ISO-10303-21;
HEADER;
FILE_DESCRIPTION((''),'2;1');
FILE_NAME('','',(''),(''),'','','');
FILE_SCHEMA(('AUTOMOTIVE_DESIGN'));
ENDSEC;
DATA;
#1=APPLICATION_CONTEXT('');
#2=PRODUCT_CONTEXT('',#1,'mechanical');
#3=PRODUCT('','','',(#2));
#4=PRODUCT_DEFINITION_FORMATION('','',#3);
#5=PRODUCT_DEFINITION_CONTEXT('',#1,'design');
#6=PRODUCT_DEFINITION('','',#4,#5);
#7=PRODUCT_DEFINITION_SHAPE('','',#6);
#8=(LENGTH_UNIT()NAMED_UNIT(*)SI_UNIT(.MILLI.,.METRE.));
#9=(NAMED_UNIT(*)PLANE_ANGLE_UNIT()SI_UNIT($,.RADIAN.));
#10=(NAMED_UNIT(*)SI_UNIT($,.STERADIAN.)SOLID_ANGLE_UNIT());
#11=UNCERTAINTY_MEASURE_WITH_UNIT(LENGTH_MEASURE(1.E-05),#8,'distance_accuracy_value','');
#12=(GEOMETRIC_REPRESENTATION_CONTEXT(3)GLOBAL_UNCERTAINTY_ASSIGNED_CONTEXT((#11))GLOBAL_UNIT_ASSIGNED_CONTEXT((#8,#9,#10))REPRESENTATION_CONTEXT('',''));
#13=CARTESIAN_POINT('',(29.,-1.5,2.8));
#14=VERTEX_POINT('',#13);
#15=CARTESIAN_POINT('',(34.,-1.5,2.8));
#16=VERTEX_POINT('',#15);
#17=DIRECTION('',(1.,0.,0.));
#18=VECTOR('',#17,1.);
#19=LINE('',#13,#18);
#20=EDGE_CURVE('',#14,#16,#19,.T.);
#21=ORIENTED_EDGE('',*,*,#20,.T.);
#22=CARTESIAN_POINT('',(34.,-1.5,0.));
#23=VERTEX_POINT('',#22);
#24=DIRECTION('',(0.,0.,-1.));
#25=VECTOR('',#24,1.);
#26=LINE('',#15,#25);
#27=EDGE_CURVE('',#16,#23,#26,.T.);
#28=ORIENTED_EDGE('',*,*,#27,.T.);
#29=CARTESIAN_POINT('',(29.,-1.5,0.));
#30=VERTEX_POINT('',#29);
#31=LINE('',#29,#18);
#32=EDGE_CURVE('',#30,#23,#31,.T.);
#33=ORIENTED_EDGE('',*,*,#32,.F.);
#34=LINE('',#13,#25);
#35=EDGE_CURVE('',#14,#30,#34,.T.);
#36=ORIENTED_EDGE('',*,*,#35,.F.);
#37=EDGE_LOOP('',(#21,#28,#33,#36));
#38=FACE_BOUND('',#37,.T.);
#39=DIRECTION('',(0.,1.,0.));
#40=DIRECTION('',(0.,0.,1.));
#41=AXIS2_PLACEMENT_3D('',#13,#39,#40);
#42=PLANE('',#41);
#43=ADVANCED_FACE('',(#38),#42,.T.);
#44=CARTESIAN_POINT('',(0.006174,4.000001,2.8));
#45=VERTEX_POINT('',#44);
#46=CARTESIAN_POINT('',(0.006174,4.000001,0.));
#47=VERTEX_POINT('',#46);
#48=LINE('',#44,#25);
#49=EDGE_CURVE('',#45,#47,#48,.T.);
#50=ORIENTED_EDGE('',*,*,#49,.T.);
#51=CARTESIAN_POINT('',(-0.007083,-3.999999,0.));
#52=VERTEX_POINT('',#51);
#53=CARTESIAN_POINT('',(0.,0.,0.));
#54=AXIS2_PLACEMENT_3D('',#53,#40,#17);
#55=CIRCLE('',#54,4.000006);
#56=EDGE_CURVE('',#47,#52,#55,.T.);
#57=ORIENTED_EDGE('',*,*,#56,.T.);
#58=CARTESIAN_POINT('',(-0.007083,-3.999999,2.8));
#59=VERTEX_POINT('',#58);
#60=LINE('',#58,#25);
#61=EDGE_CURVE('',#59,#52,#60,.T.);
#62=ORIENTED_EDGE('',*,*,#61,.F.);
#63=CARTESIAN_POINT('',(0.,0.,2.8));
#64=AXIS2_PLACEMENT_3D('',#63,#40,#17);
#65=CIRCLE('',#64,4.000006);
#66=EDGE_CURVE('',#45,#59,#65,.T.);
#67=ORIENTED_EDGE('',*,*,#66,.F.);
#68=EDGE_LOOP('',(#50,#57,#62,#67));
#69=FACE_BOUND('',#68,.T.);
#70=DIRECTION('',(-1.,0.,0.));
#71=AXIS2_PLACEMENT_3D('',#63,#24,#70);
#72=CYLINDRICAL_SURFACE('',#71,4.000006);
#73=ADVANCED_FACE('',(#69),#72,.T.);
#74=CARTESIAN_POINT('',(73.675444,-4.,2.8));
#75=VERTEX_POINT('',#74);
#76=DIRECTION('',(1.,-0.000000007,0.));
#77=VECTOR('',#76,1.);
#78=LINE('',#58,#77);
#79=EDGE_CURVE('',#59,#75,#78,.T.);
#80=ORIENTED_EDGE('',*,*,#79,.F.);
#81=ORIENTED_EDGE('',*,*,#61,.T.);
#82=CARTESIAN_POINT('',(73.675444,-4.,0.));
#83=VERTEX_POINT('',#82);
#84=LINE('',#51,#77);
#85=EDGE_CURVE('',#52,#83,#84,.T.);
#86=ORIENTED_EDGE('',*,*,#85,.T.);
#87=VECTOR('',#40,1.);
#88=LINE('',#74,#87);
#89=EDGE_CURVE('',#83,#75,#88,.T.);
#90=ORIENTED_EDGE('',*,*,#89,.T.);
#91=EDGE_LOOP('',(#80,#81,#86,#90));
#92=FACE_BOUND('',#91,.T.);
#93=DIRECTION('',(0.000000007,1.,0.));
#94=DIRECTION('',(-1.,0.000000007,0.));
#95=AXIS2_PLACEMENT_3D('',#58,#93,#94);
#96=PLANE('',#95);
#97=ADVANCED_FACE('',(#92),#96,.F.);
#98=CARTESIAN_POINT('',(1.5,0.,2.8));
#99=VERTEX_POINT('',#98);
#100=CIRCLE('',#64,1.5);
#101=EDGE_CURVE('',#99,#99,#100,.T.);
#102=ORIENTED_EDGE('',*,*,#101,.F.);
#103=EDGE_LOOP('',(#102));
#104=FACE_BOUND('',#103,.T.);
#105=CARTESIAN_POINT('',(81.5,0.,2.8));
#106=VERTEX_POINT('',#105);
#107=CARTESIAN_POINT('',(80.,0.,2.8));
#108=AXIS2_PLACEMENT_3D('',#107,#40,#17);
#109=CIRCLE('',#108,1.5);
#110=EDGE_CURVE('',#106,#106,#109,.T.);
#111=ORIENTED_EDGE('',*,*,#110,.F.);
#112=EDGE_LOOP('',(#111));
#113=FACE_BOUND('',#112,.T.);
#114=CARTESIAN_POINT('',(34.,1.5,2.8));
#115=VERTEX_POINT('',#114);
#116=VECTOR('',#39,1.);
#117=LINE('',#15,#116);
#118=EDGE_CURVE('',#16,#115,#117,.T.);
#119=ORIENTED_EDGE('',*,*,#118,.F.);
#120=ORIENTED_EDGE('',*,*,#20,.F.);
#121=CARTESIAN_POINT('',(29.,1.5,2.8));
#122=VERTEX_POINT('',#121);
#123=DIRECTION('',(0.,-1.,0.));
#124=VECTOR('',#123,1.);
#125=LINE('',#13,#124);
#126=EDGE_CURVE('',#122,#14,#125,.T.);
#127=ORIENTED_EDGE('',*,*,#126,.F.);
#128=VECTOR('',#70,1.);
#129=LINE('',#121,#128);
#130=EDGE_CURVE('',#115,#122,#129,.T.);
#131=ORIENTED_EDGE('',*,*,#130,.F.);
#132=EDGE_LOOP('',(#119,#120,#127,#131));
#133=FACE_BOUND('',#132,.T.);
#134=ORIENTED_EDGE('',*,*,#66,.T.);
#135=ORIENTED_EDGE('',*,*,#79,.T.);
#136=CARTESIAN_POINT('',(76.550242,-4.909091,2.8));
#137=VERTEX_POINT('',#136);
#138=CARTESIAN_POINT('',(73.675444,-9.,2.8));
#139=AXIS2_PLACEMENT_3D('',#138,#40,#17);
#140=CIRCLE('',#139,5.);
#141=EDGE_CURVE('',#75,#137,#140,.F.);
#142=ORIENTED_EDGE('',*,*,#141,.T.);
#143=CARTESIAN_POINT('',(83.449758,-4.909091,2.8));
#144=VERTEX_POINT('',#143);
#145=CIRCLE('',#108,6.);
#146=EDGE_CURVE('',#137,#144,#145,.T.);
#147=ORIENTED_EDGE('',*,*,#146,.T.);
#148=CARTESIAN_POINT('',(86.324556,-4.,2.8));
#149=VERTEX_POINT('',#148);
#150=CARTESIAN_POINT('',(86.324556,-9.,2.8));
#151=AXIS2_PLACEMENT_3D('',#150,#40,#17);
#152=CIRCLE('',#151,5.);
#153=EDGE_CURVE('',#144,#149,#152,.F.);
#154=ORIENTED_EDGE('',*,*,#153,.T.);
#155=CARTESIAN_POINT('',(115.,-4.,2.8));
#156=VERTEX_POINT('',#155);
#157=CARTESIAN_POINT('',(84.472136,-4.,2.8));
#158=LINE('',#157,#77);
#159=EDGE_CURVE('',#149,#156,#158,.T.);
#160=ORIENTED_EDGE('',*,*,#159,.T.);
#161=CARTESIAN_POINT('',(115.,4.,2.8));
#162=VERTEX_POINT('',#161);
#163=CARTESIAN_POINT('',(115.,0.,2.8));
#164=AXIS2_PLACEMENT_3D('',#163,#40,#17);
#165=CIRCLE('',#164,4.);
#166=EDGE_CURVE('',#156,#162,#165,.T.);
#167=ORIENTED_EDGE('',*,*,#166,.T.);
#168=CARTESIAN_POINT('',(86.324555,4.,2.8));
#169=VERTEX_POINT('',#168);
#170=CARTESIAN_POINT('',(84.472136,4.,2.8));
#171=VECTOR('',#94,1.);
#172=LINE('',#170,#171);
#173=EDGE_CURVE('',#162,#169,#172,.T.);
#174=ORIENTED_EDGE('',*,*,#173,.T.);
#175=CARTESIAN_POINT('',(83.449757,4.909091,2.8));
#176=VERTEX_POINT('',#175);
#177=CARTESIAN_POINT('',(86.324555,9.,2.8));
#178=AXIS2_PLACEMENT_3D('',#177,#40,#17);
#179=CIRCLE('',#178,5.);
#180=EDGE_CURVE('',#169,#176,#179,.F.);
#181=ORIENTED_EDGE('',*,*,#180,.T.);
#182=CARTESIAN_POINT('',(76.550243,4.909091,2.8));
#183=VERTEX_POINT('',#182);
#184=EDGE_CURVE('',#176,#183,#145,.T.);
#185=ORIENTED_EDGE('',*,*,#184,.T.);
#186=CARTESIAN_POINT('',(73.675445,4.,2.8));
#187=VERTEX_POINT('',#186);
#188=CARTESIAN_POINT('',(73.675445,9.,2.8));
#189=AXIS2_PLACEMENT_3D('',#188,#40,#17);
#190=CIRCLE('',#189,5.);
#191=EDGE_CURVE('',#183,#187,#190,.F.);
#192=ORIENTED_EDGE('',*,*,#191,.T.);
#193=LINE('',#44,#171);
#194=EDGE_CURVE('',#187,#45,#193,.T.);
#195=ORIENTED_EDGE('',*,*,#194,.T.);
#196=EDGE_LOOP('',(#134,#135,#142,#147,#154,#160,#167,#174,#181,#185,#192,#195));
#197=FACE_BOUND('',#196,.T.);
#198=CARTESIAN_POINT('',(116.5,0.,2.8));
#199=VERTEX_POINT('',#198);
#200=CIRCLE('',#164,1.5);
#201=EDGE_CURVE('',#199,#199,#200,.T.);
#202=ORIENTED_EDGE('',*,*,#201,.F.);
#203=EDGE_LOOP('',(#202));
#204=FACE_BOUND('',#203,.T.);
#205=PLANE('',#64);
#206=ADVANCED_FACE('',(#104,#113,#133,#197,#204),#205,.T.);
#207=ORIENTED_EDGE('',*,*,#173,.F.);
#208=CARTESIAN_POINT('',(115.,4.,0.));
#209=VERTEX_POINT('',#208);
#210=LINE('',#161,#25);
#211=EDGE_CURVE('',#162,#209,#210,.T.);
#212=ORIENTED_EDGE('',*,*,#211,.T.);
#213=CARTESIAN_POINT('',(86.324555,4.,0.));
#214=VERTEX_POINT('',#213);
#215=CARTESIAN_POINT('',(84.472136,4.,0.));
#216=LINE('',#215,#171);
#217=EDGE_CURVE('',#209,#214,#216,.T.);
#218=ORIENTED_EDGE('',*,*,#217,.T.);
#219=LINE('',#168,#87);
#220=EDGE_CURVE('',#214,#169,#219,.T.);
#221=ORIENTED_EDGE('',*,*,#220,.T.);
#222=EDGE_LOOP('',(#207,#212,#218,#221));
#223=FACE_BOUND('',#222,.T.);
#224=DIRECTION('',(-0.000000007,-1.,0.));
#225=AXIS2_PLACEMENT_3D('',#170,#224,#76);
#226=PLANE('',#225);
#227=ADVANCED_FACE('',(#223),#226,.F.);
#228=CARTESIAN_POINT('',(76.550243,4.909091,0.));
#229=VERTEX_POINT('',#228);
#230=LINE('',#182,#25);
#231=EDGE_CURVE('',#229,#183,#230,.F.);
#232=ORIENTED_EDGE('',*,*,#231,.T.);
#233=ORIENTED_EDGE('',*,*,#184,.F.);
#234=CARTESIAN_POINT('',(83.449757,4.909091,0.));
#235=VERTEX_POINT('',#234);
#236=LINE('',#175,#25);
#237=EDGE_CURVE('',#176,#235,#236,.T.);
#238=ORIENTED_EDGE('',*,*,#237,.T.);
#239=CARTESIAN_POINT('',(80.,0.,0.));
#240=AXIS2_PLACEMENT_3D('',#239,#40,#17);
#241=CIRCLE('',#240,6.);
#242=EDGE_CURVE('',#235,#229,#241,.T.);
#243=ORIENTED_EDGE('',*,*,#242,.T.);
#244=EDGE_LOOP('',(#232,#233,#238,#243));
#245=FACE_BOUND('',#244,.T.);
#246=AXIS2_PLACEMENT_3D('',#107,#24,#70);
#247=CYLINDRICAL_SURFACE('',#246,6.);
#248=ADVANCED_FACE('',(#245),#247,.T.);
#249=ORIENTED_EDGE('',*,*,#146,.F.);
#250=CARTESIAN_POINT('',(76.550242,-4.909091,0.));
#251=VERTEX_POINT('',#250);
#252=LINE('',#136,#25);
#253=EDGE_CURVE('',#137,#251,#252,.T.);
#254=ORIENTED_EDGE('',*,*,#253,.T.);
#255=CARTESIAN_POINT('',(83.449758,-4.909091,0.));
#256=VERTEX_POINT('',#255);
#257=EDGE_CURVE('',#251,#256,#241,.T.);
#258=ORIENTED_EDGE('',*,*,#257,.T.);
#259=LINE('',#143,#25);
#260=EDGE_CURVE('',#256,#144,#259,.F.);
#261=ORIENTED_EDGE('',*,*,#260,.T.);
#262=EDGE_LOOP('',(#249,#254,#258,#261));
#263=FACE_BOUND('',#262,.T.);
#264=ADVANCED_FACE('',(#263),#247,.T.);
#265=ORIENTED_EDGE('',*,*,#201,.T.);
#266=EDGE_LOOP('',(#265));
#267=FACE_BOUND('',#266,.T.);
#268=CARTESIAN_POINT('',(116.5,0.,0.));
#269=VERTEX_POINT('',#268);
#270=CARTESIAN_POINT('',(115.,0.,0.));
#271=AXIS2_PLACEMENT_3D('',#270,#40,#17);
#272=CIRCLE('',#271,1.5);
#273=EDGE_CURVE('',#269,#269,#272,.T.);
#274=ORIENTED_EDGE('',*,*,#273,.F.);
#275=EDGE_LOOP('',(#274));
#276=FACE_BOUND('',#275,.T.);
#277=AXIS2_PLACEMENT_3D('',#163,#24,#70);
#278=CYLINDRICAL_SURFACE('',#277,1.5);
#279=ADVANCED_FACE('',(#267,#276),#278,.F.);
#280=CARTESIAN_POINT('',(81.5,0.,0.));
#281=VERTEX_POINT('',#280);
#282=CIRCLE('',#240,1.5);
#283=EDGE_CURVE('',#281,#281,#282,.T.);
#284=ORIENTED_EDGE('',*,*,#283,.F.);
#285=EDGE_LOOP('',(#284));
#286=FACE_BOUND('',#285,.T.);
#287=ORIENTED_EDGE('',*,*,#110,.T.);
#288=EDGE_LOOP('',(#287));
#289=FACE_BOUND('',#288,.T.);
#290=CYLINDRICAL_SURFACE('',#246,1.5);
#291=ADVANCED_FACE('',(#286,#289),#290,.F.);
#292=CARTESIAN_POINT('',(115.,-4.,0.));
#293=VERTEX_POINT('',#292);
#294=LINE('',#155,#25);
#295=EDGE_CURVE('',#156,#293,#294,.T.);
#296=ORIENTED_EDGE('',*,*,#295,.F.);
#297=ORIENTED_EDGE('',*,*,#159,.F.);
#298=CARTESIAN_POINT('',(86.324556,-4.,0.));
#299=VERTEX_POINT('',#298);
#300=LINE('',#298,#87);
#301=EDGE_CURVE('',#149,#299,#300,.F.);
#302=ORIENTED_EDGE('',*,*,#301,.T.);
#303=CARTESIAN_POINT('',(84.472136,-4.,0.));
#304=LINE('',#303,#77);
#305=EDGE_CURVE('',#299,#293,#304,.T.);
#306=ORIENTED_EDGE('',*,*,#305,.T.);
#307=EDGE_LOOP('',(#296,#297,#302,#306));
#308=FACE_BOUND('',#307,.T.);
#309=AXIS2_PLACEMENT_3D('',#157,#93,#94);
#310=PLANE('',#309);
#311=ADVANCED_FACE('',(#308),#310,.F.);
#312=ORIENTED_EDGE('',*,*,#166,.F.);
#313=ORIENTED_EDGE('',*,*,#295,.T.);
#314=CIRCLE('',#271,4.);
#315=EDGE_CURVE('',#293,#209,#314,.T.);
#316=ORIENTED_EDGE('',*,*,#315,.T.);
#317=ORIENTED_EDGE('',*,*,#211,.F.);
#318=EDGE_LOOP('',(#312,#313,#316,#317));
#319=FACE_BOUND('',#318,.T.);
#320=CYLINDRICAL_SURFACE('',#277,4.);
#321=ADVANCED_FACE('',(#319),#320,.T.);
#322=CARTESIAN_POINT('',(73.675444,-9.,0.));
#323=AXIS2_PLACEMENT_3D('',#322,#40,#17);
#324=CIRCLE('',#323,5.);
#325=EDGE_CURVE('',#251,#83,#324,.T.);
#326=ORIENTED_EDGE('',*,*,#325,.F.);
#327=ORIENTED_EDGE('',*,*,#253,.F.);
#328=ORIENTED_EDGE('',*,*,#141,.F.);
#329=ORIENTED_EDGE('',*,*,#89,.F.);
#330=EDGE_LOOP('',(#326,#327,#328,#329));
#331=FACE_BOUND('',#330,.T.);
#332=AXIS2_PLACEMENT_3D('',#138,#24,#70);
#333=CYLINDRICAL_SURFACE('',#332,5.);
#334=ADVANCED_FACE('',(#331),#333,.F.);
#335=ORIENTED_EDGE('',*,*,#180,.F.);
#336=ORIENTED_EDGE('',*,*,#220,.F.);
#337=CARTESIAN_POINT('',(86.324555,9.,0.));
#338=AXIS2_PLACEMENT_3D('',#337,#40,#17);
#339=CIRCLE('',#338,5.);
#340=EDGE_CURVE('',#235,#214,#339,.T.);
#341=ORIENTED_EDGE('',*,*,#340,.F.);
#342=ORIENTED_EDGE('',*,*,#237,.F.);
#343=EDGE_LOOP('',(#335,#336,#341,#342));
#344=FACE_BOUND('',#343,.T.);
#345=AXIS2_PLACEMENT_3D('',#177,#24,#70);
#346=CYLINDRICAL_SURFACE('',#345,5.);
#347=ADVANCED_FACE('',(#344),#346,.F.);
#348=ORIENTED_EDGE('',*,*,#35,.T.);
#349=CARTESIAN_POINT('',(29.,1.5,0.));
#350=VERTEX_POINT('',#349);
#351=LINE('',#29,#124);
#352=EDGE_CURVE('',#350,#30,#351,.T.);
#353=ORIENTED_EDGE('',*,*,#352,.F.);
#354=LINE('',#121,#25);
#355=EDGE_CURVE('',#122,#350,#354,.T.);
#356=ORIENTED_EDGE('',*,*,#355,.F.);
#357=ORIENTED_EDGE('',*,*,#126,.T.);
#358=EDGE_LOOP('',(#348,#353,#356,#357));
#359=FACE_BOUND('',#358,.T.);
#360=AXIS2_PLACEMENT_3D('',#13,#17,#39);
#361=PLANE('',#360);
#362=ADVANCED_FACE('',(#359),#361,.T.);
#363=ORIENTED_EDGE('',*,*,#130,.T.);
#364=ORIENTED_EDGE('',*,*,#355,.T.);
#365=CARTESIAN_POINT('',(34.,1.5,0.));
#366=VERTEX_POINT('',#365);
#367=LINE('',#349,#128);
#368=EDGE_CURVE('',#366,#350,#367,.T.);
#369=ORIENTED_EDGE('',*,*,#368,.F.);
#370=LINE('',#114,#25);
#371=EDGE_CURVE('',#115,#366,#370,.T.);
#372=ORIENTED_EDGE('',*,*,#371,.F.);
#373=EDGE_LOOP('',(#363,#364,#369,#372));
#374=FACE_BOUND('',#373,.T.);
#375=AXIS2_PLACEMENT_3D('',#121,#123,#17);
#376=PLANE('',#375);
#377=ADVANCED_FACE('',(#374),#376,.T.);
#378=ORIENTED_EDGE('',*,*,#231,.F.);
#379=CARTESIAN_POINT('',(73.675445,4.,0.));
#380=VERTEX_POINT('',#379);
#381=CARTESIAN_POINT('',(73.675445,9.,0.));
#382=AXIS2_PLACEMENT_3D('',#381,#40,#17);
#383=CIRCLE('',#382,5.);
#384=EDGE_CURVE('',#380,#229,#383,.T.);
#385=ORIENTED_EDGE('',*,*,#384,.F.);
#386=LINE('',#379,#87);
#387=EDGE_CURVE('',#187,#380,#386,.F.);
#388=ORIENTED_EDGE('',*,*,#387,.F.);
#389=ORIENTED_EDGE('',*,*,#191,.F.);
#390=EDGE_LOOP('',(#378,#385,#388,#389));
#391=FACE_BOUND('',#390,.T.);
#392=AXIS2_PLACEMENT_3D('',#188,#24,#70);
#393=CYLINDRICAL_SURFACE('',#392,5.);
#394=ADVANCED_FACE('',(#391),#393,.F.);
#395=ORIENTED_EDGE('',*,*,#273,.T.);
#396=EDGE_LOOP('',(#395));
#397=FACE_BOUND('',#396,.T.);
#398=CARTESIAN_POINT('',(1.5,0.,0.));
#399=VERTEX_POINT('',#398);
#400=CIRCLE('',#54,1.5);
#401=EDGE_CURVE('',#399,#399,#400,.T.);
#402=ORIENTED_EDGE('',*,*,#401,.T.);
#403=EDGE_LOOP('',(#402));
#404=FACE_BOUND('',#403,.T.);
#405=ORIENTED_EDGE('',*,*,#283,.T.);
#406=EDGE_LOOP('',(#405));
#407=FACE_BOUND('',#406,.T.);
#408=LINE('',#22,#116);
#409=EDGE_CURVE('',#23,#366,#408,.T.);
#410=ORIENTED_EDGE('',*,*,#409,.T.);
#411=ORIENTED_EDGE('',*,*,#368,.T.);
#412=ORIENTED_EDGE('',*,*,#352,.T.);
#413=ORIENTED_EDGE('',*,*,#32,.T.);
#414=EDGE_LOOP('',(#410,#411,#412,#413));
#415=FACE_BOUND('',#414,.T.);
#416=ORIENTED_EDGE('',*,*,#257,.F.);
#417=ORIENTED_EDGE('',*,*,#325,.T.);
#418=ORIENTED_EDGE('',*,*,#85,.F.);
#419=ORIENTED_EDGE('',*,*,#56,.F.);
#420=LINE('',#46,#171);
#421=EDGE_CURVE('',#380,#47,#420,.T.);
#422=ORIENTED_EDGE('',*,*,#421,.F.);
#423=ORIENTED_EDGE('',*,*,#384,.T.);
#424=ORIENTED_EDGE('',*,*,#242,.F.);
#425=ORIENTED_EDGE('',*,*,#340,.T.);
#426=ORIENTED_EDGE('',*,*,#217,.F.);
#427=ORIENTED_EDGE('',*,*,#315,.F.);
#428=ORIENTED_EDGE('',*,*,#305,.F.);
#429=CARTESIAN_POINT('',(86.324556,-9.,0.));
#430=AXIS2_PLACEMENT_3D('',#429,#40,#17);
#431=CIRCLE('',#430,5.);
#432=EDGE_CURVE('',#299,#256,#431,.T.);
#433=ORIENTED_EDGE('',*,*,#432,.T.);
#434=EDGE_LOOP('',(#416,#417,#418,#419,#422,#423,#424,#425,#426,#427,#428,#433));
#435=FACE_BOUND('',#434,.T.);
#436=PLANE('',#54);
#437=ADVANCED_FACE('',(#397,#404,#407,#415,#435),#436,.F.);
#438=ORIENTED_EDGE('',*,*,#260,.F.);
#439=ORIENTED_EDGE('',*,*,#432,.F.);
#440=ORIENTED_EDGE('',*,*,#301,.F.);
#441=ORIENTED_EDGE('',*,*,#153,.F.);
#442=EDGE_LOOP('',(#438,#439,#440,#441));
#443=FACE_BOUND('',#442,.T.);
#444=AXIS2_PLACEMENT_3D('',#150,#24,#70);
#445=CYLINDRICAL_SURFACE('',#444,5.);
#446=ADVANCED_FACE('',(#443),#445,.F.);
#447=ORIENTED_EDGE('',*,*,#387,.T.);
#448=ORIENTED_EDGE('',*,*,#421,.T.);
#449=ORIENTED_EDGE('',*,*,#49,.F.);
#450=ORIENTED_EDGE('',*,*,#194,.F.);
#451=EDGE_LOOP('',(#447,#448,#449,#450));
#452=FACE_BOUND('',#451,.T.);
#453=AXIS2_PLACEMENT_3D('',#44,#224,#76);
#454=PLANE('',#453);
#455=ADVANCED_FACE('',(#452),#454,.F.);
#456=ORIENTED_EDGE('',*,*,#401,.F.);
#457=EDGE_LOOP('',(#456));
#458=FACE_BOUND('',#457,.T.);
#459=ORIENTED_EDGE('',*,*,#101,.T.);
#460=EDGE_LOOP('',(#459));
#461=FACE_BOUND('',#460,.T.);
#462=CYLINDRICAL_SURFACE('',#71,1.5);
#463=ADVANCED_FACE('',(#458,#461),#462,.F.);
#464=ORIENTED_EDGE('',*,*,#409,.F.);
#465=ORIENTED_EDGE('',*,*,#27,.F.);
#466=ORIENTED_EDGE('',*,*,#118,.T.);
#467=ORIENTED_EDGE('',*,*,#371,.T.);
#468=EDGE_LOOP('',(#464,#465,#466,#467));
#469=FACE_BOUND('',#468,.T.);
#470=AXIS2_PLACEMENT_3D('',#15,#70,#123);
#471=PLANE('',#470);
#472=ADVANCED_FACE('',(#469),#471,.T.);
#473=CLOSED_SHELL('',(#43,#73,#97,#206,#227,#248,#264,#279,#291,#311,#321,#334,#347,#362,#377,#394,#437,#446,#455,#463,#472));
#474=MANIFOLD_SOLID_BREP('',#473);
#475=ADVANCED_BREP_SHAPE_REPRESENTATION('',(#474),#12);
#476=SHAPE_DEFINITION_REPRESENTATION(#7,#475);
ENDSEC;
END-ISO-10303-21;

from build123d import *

# Parameters (mm, degrees)
SKETCH1_R           = 1.5
SKETCH1_W           = 5
SKETCH1_H           = 3
BOSS_EXTRUDE1_DEPTH = 2.8
FILLET1_R           = 5


with BuildPart() as part:
    # Sketch1 → Boss-Extrude1 (new body)
    with BuildSketch(Plane.XY):
        with BuildLine():
            Line((0.006174378, 4.000000753), (75.527864276, 4.000000258))
            ThreePointArc((75.527864276, 4.000000258), (80.000000039, 6), (84.472135776, 4.0000002))
            Line((84.472135776, 4.0000002), (115.000000079, 4))
            ThreePointArc((115.000000079, 4), (119, -5.2e-08), (114.999999974, -4))
            Line((114.999999974, -4), (84.472136134, -3.9999998))
            ThreePointArc((84.472136134, -3.9999998), (79.999999961, -6), (75.527863814, -3.999999742))
            Line((75.527863814, -3.999999742), (-0.007082675, -3.999999247))
            ThreePointArc((-0.007082675, -3.999999247), (-4.000000026, 0.006628527), (0.006174378, 4.000000753))
        make_face()
        with Locations((80, 0)):
            Circle(SKETCH1_R, mode=Mode.SUBTRACT)
        with Locations((115, 0)):
            Circle(SKETCH1_R, mode=Mode.SUBTRACT)
        Circle(SKETCH1_R, mode=Mode.SUBTRACT)
        with Locations((31.499999974, 0)):
            Rectangle(SKETCH1_W, SKETCH1_H, mode=Mode.SUBTRACT)
    extrude(amount=BOSS_EXTRUDE1_DEPTH)

    # Fillet1
    fillet1_edges = [part.edges().sort_by_distance(p)[0] for p in [
        (75.527864276, 4.000000258, 1.4),
        (84.472135776, 4.0000002, 1.4),
        (84.472136134, -3.9999998, 1.4),
        (75.527863814, -3.999999742, 1.4),
    ]]
    fillet(fillet1_edges, radius=FILLET1_R)


solid = part.part
